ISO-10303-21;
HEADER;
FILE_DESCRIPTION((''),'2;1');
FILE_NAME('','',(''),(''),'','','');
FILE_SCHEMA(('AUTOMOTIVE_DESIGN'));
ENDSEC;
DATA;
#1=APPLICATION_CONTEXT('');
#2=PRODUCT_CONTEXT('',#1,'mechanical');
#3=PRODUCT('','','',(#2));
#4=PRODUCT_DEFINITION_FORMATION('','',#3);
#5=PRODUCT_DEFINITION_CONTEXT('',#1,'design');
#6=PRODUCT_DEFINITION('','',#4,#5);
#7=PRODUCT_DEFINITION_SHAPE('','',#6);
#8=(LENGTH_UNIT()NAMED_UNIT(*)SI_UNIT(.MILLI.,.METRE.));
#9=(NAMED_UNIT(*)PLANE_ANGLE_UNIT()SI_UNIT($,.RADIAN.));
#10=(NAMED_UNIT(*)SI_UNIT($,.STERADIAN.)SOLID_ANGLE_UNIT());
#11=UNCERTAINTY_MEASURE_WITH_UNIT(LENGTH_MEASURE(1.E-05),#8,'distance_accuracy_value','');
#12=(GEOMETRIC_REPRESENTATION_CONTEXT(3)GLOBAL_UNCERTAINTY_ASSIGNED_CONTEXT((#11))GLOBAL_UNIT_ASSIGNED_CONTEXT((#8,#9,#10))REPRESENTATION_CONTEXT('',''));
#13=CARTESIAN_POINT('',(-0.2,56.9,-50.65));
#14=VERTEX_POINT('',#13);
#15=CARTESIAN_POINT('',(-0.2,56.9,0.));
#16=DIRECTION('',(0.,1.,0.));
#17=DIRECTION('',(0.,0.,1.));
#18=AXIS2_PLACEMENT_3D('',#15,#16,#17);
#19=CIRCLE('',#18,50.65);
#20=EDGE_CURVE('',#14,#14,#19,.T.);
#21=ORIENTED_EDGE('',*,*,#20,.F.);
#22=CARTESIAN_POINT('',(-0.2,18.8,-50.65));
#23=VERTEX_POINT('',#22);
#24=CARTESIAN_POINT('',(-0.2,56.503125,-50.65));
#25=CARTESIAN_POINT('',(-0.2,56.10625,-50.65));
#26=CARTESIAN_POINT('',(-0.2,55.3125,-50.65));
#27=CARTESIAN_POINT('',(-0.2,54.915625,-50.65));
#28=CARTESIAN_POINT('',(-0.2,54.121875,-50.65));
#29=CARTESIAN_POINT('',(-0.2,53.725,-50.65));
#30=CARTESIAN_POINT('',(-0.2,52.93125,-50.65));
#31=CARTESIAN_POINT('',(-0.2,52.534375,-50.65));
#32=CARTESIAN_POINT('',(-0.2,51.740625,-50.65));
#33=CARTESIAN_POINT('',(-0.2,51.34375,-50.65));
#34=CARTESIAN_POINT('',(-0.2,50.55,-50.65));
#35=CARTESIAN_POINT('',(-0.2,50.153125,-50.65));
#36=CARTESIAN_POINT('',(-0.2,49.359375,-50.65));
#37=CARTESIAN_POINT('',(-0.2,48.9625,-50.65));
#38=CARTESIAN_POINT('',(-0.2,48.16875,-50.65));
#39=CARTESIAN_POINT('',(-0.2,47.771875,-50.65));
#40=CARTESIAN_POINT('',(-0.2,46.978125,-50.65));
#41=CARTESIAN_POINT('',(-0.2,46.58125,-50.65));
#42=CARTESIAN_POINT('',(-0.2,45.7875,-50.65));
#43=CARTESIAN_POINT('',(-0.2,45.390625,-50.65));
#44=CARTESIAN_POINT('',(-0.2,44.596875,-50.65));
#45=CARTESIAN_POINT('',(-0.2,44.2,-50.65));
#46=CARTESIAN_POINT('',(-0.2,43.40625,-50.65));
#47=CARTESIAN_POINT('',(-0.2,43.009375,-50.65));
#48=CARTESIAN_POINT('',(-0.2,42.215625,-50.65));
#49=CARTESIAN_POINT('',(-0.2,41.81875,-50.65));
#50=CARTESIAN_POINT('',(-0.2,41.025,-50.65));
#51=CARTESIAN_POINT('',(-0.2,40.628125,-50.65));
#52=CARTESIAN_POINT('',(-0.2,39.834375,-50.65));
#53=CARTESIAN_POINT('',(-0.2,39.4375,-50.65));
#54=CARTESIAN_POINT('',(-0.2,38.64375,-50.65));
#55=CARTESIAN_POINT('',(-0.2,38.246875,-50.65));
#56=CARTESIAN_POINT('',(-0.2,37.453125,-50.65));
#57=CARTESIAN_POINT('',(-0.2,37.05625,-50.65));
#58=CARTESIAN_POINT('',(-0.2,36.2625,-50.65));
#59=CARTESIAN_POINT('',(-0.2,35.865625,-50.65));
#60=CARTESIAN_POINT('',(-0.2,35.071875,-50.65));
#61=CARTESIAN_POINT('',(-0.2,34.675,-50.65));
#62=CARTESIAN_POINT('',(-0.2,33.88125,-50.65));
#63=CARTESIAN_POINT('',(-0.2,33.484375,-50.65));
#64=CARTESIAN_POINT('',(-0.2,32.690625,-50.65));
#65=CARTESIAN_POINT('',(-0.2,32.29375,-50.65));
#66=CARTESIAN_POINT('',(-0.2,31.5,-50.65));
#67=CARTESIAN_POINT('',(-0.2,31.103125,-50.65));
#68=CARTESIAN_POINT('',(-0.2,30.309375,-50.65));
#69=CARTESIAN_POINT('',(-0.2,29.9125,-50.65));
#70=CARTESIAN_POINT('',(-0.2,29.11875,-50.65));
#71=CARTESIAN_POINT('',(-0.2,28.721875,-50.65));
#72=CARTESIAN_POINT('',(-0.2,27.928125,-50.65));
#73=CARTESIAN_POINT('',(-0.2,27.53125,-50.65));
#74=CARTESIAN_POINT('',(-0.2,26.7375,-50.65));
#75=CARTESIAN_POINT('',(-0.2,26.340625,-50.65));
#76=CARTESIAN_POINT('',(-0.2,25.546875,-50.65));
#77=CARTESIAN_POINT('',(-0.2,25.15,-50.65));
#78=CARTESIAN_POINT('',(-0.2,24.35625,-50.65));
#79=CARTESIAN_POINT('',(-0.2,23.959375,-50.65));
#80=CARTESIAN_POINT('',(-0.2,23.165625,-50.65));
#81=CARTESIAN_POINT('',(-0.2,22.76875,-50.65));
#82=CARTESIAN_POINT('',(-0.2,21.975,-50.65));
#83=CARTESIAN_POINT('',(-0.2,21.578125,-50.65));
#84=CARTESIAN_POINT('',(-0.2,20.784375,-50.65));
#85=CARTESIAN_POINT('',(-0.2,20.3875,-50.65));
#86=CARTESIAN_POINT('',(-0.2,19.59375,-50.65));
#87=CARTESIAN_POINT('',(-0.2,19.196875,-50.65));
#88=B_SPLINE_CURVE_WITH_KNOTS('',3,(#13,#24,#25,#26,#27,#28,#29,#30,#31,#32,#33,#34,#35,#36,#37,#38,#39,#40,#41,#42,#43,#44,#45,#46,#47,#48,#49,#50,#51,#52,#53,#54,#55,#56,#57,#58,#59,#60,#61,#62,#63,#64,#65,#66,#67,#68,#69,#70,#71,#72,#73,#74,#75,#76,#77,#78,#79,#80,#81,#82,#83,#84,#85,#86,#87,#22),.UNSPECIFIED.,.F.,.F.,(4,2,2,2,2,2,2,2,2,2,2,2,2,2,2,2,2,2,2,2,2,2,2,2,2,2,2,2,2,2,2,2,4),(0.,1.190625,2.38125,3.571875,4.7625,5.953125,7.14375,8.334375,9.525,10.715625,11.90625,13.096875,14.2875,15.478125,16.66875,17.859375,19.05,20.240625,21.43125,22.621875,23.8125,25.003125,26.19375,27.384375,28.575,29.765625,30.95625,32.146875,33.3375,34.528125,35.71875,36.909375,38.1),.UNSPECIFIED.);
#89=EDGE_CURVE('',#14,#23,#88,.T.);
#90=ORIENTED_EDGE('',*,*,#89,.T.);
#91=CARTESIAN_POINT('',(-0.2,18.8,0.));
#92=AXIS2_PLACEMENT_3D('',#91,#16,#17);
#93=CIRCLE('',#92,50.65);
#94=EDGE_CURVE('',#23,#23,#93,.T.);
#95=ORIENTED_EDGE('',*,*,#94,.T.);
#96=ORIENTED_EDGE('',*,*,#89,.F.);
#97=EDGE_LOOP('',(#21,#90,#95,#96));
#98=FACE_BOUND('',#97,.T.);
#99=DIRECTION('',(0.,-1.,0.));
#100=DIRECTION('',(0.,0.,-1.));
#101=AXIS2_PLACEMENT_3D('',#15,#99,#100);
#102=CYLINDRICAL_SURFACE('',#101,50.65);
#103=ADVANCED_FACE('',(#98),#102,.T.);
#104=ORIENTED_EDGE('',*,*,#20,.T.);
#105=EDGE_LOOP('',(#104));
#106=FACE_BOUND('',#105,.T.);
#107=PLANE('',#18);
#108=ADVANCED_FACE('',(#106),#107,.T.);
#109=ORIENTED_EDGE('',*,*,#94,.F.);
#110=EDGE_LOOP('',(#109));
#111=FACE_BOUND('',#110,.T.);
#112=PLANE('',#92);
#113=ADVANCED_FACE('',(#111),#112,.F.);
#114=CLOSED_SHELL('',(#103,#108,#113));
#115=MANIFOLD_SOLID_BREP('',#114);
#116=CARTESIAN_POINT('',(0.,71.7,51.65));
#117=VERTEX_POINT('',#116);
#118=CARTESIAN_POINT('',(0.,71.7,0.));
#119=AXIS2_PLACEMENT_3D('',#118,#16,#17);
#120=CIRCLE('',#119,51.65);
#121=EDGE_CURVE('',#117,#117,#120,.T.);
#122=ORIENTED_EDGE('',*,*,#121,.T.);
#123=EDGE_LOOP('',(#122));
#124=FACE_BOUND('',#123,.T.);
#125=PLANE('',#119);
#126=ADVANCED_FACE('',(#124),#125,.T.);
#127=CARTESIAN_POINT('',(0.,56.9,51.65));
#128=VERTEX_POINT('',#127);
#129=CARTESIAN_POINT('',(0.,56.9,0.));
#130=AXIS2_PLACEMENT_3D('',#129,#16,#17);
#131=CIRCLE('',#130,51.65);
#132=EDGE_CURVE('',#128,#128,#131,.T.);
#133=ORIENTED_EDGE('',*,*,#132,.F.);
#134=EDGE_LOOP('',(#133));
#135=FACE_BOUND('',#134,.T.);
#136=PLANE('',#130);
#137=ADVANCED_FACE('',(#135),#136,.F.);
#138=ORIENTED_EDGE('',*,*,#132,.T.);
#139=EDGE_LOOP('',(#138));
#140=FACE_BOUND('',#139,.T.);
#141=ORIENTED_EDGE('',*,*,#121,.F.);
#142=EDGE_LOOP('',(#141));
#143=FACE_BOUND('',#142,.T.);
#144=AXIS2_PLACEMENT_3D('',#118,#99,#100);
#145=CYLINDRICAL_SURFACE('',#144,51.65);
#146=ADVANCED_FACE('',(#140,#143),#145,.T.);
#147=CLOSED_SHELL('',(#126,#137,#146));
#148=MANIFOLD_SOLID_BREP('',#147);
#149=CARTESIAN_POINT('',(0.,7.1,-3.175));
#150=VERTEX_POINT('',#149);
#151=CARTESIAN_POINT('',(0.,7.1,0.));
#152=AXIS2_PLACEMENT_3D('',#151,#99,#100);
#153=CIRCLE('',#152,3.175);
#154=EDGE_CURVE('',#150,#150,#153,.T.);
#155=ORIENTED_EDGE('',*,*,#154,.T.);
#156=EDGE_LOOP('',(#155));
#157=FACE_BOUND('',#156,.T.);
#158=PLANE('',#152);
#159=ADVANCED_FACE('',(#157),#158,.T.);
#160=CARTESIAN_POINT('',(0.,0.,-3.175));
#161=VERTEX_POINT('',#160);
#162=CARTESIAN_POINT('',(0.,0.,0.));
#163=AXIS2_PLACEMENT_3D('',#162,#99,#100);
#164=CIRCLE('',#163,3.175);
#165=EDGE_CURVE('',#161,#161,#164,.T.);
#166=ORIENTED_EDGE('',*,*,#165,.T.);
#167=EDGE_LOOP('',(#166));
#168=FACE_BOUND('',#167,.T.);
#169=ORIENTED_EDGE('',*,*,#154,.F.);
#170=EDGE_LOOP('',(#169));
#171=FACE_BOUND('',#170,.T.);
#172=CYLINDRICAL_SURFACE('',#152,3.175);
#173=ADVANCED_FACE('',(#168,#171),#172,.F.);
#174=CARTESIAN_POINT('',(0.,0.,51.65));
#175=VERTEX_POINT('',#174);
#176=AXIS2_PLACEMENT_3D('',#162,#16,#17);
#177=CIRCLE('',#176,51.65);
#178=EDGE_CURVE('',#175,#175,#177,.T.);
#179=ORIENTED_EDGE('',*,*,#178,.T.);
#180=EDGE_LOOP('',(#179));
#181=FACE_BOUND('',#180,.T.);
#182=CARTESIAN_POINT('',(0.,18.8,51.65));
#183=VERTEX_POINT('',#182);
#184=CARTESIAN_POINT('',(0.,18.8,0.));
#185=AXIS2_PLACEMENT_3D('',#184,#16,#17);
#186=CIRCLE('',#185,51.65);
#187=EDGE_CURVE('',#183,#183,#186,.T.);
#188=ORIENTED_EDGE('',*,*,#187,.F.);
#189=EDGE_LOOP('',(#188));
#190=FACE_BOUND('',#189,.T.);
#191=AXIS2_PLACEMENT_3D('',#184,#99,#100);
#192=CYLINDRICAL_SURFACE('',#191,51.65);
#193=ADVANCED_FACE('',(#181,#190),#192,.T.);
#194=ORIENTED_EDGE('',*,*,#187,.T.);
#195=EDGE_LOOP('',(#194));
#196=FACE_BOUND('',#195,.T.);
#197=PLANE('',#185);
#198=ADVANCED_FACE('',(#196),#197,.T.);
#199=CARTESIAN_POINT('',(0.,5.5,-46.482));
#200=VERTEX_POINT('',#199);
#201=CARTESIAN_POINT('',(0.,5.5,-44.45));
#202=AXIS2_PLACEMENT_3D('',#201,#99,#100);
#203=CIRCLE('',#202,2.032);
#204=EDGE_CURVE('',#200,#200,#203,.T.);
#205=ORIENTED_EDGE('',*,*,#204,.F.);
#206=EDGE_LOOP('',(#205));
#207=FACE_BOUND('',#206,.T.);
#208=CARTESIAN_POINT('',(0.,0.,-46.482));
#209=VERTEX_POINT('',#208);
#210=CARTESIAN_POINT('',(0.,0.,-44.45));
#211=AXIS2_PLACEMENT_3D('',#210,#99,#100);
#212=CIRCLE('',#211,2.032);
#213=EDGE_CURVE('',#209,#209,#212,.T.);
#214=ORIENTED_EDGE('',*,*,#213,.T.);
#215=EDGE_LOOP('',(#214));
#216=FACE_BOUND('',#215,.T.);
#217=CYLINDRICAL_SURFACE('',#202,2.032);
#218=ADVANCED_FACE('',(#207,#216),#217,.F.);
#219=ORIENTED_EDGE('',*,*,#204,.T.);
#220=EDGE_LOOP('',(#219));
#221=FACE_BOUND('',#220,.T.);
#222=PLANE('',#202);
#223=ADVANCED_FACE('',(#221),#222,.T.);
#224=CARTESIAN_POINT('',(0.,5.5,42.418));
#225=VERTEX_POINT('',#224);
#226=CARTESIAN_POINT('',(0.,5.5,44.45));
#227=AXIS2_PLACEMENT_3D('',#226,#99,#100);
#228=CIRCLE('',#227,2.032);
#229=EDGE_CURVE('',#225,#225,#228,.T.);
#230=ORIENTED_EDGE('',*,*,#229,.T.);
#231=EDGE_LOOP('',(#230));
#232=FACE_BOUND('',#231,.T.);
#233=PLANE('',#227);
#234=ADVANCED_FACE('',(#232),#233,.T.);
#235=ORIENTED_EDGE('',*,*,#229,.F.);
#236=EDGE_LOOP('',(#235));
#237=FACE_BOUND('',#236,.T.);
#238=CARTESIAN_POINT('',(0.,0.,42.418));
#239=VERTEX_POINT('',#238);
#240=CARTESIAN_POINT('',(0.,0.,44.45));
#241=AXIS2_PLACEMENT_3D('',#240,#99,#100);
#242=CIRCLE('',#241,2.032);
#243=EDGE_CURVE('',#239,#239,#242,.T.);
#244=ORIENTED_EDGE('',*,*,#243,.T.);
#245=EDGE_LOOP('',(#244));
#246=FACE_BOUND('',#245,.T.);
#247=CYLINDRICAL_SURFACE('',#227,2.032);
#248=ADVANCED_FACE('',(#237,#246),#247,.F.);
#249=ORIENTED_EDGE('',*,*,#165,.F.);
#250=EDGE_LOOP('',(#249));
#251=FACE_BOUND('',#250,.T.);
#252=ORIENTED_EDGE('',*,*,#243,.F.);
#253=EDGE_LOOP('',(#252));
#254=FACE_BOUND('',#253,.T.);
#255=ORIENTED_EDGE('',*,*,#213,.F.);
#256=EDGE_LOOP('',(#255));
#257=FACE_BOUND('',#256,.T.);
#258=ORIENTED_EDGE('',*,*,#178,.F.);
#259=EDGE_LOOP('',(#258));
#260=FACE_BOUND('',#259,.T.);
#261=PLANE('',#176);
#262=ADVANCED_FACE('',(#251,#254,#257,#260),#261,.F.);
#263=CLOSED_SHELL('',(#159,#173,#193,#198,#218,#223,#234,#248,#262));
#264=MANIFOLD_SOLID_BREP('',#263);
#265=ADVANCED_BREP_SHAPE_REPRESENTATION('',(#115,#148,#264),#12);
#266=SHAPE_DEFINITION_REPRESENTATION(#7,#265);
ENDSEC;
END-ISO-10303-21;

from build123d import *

# Parameters (mm, degrees)
SKETCH1_R           = 51.65
BOSS_EXTRUDE1_DEPTH = 18.8
SKETCH2_R           = 50.65
BOSS_EXTRUDE2_DEPTH = 38.1
SKETCH3_R           = 51.65
BOSS_EXTRUDE3_DEPTH = 14.8
SKETCH5_R           = 2.032
CUT_EXTRUDE1_DEPTH  = 5.5
SKETCH6_R           = 3.175
CUT_EXTRUDE2_DEPTH  = 7.1


with BuildPart() as part:
    # Sketch1 → Boss-Extrude1 (new body)
    with BuildSketch(Plane(origin=(0, 0, 0), x_dir=(1, 0, 0), z_dir=(0, 1, 0))):
        with Locations(Location((0, 0, 0), (0, 0, 270))):
            Circle(SKETCH1_R)
    extrude(amount=BOSS_EXTRUDE1_DEPTH)

    # Sketch5 → Cut-Extrude1 (cut)
    with BuildSketch(Plane.XZ):
        with Locations(Location((0, -44.45, 0), (0, 0, 270))):
            Circle(SKETCH5_R)
        with Locations(Location((0, 44.45, 0), (0, 0, 270))):
            Circle(SKETCH5_R)
    extrude(amount=-CUT_EXTRUDE1_DEPTH, mode=Mode.SUBTRACT)

    # Sketch6 → Cut-Extrude2 (cut)
    with BuildSketch(Plane.XZ):
        with Locations(Location((0, 0, 0), (0, 0, 270))):
            Circle(SKETCH6_R)
    extrude(amount=-CUT_EXTRUDE2_DEPTH, mode=Mode.SUBTRACT)


with BuildPart() as body_2:
    # Sketch2 → Boss-Extrude2 (new body)
    with BuildSketch(Plane(origin=(0, 18.8, 0), x_dir=(1, 0, 0), z_dir=(0, 1, 0))):
        with Locations(Location((-0.2, 0, 0), (0, 0, 90))):
            Circle(SKETCH2_R)
    extrude(amount=BOSS_EXTRUDE2_DEPTH)


with BuildPart() as body_3:
    # Sketch3 → Boss-Extrude3 (new body)
    with BuildSketch(Plane(origin=(0, 56.9, 0), x_dir=(1, 0, 0), z_dir=(0, 1, 0))):
        with Locations(Location((0, 0, 0), (0, 0, 270))):
            Circle(SKETCH3_R)
    extrude(amount=BOSS_EXTRUDE3_DEPTH)


solid = Compound([part.part, body_2.part, body_3.part])
